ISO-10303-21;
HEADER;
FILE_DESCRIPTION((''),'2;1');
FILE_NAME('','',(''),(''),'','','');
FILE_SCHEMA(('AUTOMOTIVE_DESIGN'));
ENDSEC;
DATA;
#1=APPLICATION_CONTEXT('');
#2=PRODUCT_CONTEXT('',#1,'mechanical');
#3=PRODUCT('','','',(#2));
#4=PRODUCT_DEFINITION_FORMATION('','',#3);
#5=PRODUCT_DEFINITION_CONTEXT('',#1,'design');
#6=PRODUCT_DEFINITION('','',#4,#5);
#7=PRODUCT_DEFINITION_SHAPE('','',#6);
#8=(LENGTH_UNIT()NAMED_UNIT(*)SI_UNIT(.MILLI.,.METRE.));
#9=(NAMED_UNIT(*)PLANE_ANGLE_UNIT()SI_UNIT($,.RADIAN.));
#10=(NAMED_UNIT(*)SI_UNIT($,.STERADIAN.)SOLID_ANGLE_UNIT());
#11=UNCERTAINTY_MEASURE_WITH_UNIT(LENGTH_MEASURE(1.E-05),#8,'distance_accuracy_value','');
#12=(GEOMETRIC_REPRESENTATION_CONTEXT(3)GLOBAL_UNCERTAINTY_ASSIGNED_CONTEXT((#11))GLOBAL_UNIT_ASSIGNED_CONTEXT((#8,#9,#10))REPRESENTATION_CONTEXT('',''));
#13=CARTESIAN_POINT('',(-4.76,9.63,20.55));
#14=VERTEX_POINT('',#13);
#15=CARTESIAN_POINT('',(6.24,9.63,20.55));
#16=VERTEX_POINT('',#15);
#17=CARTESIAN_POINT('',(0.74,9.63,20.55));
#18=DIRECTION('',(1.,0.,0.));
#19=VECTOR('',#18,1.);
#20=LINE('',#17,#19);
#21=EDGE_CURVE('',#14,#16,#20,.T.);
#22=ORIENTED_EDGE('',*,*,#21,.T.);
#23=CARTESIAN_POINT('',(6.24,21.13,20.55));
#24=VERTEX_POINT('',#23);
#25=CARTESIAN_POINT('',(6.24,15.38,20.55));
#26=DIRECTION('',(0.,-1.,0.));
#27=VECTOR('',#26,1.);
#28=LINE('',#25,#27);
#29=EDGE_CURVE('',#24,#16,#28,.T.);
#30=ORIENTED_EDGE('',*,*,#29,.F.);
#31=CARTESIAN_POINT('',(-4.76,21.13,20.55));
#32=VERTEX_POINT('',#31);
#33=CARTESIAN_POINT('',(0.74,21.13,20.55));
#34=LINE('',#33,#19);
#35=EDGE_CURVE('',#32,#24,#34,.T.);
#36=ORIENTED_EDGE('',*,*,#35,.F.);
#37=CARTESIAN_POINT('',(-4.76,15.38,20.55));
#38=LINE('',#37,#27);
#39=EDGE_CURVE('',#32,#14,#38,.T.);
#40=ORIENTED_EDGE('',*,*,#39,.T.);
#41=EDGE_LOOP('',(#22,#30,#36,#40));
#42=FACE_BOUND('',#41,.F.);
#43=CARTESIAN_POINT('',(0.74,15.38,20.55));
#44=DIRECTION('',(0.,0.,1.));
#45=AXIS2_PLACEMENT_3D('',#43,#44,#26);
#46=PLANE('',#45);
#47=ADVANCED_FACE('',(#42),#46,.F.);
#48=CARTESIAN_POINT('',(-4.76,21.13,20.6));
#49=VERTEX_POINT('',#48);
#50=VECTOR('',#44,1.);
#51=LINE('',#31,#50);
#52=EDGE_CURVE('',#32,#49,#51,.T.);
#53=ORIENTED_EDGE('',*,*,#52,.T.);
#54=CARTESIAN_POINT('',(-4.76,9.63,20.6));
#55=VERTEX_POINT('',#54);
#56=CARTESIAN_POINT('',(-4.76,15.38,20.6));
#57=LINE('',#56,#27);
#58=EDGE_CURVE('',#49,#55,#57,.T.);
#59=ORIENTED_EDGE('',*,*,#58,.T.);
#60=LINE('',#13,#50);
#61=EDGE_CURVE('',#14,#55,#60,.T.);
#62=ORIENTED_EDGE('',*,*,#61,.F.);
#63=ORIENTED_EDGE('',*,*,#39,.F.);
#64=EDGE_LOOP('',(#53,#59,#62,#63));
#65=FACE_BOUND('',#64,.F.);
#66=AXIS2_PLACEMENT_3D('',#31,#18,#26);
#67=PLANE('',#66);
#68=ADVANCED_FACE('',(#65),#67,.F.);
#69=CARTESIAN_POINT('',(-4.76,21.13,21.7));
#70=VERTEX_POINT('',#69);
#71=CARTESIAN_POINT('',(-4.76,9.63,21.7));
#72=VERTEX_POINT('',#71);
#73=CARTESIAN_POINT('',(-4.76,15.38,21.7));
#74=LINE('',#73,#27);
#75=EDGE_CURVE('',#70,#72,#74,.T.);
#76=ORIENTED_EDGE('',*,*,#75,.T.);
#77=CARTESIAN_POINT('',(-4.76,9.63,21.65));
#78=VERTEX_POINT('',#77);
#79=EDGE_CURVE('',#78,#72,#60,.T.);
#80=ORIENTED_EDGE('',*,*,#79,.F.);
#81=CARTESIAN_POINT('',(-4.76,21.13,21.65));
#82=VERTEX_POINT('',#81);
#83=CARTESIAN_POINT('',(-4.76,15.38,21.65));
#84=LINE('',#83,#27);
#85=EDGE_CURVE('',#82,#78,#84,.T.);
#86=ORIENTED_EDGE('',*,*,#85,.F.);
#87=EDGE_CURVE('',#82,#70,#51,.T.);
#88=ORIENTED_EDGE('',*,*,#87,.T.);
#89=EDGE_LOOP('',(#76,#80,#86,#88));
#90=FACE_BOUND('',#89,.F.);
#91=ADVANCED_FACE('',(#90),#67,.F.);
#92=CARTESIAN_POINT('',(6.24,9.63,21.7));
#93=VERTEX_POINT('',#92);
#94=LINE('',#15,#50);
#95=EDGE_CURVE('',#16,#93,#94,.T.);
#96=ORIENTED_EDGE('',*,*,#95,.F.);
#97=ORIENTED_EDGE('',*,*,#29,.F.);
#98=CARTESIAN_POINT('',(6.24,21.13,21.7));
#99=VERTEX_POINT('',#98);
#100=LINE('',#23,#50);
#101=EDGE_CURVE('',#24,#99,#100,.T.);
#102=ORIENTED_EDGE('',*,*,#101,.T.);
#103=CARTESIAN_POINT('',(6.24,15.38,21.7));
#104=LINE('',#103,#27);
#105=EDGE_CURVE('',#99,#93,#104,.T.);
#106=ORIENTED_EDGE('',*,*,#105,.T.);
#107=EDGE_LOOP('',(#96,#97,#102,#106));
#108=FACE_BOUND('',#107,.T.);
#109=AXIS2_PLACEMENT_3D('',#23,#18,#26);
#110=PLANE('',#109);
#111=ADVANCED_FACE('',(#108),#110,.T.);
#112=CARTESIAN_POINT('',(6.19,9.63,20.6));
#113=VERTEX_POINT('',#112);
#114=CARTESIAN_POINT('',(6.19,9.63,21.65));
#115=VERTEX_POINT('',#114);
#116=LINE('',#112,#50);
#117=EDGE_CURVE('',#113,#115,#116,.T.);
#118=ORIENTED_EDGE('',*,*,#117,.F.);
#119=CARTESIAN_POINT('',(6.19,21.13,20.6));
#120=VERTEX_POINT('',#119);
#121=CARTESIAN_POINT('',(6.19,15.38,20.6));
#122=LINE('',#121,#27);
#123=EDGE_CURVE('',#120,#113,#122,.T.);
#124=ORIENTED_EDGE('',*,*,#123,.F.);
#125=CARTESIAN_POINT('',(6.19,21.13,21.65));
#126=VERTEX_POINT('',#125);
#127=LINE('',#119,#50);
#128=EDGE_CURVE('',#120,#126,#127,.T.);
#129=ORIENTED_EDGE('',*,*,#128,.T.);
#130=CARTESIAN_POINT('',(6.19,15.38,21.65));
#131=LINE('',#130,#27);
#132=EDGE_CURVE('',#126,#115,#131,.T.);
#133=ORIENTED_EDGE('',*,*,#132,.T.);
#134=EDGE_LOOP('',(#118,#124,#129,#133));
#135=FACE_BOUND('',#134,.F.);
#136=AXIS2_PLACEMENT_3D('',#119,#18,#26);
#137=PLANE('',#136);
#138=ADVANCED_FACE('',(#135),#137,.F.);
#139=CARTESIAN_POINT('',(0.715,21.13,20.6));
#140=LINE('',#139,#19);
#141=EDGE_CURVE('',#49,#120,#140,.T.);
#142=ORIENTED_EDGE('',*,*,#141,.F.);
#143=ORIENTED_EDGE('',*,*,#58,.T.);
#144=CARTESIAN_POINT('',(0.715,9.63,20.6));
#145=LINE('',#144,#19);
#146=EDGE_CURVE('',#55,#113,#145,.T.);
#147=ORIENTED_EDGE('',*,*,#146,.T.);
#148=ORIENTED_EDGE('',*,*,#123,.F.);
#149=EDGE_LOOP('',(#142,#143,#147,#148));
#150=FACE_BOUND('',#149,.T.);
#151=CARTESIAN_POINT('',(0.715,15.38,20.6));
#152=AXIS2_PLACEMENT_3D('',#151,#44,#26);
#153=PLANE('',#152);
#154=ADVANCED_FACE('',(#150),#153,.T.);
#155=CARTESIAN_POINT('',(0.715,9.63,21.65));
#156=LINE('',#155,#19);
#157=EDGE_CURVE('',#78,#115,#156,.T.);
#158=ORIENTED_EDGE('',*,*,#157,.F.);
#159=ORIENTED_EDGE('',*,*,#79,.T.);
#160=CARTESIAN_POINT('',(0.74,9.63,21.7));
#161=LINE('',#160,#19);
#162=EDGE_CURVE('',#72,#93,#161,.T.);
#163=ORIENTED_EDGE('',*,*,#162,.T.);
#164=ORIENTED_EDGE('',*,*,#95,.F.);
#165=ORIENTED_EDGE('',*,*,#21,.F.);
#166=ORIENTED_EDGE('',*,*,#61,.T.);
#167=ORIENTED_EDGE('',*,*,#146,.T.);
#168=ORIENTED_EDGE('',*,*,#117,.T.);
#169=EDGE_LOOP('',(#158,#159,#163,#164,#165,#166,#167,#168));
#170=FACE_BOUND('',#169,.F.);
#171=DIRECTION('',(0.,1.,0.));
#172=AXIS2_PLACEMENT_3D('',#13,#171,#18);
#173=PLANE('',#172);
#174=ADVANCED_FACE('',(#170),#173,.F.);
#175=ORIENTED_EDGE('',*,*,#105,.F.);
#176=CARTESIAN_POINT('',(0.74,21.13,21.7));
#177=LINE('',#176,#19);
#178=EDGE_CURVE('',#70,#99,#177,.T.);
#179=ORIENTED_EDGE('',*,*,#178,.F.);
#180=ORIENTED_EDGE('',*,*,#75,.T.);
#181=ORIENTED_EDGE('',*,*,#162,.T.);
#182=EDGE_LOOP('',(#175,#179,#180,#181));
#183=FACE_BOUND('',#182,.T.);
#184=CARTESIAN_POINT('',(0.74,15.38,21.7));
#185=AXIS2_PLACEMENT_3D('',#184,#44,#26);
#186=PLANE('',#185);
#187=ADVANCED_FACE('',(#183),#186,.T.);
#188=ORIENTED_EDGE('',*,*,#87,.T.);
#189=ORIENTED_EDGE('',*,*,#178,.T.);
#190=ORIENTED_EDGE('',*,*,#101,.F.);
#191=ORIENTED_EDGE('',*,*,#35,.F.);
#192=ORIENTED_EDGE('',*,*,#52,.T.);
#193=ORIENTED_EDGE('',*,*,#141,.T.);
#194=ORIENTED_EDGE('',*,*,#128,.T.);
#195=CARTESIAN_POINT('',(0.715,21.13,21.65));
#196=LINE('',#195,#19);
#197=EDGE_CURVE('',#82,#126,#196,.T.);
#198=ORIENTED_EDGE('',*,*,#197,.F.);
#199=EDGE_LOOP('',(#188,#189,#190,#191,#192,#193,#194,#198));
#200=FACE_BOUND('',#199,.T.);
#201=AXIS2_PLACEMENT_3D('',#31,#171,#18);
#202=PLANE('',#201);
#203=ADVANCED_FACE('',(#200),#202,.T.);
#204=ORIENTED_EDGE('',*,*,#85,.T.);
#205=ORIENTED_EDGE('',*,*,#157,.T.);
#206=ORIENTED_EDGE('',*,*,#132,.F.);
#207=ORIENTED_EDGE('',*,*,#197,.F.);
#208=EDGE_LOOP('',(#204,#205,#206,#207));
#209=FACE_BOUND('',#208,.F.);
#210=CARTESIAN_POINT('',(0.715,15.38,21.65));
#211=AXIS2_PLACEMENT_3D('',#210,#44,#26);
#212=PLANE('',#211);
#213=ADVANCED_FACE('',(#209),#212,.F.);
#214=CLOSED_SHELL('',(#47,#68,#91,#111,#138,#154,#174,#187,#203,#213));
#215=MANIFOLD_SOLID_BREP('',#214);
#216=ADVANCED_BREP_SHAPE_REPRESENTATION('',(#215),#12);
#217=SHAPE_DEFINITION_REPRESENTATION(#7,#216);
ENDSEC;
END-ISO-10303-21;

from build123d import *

# Parameters (mm, degrees)
BOX077_W               = 11.5
BOX077_H               = 10.95
BOX077_DEPTH           = 1.05
BOX076_W               = 11.5
BOX076_H               = 11
BOX076_DEPTH           = 1.15
CUT024_PLACEMENT_ANGLE = 270


with BuildPart() as small_cu_gnd_electrode022:
    # Box077 → Box077 (new body)
    with BuildSketch(Plane.XY.offset(0.05)):
        with Locations((5.75, 5.475)):
            Rectangle(BOX077_W, BOX077_H)
    extrude(amount=BOX077_DEPTH)


with BuildPart() as large_cu_electrode_short_axis_gnd002:
    # Box076 → Box076 (new body)
    with BuildSketch(Plane.XY):
        with Locations((5.75, 5.5)):
            Rectangle(BOX076_W, BOX076_H)
    extrude(amount=BOX076_DEPTH)

    # Cut024: cut Small Cu GND Electrode022
    add(small_cu_gnd_electrode022.part, mode=Mode.SUBTRACT)


with BuildPart() as large_cu_electrode_short_axis_gnd002_1:
    # Cut024 placement: moved
    add(large_cu_electrode_short_axis_gnd002.part.moved(Location((-4.76, 21.13, 20.55))).rotate(Axis((-4.76, 21.13, 20.55), (0, 0, 1)), CUT024_PLACEMENT_ANGLE))


solid = large_cu_electrode_short_axis_gnd002_1.part
